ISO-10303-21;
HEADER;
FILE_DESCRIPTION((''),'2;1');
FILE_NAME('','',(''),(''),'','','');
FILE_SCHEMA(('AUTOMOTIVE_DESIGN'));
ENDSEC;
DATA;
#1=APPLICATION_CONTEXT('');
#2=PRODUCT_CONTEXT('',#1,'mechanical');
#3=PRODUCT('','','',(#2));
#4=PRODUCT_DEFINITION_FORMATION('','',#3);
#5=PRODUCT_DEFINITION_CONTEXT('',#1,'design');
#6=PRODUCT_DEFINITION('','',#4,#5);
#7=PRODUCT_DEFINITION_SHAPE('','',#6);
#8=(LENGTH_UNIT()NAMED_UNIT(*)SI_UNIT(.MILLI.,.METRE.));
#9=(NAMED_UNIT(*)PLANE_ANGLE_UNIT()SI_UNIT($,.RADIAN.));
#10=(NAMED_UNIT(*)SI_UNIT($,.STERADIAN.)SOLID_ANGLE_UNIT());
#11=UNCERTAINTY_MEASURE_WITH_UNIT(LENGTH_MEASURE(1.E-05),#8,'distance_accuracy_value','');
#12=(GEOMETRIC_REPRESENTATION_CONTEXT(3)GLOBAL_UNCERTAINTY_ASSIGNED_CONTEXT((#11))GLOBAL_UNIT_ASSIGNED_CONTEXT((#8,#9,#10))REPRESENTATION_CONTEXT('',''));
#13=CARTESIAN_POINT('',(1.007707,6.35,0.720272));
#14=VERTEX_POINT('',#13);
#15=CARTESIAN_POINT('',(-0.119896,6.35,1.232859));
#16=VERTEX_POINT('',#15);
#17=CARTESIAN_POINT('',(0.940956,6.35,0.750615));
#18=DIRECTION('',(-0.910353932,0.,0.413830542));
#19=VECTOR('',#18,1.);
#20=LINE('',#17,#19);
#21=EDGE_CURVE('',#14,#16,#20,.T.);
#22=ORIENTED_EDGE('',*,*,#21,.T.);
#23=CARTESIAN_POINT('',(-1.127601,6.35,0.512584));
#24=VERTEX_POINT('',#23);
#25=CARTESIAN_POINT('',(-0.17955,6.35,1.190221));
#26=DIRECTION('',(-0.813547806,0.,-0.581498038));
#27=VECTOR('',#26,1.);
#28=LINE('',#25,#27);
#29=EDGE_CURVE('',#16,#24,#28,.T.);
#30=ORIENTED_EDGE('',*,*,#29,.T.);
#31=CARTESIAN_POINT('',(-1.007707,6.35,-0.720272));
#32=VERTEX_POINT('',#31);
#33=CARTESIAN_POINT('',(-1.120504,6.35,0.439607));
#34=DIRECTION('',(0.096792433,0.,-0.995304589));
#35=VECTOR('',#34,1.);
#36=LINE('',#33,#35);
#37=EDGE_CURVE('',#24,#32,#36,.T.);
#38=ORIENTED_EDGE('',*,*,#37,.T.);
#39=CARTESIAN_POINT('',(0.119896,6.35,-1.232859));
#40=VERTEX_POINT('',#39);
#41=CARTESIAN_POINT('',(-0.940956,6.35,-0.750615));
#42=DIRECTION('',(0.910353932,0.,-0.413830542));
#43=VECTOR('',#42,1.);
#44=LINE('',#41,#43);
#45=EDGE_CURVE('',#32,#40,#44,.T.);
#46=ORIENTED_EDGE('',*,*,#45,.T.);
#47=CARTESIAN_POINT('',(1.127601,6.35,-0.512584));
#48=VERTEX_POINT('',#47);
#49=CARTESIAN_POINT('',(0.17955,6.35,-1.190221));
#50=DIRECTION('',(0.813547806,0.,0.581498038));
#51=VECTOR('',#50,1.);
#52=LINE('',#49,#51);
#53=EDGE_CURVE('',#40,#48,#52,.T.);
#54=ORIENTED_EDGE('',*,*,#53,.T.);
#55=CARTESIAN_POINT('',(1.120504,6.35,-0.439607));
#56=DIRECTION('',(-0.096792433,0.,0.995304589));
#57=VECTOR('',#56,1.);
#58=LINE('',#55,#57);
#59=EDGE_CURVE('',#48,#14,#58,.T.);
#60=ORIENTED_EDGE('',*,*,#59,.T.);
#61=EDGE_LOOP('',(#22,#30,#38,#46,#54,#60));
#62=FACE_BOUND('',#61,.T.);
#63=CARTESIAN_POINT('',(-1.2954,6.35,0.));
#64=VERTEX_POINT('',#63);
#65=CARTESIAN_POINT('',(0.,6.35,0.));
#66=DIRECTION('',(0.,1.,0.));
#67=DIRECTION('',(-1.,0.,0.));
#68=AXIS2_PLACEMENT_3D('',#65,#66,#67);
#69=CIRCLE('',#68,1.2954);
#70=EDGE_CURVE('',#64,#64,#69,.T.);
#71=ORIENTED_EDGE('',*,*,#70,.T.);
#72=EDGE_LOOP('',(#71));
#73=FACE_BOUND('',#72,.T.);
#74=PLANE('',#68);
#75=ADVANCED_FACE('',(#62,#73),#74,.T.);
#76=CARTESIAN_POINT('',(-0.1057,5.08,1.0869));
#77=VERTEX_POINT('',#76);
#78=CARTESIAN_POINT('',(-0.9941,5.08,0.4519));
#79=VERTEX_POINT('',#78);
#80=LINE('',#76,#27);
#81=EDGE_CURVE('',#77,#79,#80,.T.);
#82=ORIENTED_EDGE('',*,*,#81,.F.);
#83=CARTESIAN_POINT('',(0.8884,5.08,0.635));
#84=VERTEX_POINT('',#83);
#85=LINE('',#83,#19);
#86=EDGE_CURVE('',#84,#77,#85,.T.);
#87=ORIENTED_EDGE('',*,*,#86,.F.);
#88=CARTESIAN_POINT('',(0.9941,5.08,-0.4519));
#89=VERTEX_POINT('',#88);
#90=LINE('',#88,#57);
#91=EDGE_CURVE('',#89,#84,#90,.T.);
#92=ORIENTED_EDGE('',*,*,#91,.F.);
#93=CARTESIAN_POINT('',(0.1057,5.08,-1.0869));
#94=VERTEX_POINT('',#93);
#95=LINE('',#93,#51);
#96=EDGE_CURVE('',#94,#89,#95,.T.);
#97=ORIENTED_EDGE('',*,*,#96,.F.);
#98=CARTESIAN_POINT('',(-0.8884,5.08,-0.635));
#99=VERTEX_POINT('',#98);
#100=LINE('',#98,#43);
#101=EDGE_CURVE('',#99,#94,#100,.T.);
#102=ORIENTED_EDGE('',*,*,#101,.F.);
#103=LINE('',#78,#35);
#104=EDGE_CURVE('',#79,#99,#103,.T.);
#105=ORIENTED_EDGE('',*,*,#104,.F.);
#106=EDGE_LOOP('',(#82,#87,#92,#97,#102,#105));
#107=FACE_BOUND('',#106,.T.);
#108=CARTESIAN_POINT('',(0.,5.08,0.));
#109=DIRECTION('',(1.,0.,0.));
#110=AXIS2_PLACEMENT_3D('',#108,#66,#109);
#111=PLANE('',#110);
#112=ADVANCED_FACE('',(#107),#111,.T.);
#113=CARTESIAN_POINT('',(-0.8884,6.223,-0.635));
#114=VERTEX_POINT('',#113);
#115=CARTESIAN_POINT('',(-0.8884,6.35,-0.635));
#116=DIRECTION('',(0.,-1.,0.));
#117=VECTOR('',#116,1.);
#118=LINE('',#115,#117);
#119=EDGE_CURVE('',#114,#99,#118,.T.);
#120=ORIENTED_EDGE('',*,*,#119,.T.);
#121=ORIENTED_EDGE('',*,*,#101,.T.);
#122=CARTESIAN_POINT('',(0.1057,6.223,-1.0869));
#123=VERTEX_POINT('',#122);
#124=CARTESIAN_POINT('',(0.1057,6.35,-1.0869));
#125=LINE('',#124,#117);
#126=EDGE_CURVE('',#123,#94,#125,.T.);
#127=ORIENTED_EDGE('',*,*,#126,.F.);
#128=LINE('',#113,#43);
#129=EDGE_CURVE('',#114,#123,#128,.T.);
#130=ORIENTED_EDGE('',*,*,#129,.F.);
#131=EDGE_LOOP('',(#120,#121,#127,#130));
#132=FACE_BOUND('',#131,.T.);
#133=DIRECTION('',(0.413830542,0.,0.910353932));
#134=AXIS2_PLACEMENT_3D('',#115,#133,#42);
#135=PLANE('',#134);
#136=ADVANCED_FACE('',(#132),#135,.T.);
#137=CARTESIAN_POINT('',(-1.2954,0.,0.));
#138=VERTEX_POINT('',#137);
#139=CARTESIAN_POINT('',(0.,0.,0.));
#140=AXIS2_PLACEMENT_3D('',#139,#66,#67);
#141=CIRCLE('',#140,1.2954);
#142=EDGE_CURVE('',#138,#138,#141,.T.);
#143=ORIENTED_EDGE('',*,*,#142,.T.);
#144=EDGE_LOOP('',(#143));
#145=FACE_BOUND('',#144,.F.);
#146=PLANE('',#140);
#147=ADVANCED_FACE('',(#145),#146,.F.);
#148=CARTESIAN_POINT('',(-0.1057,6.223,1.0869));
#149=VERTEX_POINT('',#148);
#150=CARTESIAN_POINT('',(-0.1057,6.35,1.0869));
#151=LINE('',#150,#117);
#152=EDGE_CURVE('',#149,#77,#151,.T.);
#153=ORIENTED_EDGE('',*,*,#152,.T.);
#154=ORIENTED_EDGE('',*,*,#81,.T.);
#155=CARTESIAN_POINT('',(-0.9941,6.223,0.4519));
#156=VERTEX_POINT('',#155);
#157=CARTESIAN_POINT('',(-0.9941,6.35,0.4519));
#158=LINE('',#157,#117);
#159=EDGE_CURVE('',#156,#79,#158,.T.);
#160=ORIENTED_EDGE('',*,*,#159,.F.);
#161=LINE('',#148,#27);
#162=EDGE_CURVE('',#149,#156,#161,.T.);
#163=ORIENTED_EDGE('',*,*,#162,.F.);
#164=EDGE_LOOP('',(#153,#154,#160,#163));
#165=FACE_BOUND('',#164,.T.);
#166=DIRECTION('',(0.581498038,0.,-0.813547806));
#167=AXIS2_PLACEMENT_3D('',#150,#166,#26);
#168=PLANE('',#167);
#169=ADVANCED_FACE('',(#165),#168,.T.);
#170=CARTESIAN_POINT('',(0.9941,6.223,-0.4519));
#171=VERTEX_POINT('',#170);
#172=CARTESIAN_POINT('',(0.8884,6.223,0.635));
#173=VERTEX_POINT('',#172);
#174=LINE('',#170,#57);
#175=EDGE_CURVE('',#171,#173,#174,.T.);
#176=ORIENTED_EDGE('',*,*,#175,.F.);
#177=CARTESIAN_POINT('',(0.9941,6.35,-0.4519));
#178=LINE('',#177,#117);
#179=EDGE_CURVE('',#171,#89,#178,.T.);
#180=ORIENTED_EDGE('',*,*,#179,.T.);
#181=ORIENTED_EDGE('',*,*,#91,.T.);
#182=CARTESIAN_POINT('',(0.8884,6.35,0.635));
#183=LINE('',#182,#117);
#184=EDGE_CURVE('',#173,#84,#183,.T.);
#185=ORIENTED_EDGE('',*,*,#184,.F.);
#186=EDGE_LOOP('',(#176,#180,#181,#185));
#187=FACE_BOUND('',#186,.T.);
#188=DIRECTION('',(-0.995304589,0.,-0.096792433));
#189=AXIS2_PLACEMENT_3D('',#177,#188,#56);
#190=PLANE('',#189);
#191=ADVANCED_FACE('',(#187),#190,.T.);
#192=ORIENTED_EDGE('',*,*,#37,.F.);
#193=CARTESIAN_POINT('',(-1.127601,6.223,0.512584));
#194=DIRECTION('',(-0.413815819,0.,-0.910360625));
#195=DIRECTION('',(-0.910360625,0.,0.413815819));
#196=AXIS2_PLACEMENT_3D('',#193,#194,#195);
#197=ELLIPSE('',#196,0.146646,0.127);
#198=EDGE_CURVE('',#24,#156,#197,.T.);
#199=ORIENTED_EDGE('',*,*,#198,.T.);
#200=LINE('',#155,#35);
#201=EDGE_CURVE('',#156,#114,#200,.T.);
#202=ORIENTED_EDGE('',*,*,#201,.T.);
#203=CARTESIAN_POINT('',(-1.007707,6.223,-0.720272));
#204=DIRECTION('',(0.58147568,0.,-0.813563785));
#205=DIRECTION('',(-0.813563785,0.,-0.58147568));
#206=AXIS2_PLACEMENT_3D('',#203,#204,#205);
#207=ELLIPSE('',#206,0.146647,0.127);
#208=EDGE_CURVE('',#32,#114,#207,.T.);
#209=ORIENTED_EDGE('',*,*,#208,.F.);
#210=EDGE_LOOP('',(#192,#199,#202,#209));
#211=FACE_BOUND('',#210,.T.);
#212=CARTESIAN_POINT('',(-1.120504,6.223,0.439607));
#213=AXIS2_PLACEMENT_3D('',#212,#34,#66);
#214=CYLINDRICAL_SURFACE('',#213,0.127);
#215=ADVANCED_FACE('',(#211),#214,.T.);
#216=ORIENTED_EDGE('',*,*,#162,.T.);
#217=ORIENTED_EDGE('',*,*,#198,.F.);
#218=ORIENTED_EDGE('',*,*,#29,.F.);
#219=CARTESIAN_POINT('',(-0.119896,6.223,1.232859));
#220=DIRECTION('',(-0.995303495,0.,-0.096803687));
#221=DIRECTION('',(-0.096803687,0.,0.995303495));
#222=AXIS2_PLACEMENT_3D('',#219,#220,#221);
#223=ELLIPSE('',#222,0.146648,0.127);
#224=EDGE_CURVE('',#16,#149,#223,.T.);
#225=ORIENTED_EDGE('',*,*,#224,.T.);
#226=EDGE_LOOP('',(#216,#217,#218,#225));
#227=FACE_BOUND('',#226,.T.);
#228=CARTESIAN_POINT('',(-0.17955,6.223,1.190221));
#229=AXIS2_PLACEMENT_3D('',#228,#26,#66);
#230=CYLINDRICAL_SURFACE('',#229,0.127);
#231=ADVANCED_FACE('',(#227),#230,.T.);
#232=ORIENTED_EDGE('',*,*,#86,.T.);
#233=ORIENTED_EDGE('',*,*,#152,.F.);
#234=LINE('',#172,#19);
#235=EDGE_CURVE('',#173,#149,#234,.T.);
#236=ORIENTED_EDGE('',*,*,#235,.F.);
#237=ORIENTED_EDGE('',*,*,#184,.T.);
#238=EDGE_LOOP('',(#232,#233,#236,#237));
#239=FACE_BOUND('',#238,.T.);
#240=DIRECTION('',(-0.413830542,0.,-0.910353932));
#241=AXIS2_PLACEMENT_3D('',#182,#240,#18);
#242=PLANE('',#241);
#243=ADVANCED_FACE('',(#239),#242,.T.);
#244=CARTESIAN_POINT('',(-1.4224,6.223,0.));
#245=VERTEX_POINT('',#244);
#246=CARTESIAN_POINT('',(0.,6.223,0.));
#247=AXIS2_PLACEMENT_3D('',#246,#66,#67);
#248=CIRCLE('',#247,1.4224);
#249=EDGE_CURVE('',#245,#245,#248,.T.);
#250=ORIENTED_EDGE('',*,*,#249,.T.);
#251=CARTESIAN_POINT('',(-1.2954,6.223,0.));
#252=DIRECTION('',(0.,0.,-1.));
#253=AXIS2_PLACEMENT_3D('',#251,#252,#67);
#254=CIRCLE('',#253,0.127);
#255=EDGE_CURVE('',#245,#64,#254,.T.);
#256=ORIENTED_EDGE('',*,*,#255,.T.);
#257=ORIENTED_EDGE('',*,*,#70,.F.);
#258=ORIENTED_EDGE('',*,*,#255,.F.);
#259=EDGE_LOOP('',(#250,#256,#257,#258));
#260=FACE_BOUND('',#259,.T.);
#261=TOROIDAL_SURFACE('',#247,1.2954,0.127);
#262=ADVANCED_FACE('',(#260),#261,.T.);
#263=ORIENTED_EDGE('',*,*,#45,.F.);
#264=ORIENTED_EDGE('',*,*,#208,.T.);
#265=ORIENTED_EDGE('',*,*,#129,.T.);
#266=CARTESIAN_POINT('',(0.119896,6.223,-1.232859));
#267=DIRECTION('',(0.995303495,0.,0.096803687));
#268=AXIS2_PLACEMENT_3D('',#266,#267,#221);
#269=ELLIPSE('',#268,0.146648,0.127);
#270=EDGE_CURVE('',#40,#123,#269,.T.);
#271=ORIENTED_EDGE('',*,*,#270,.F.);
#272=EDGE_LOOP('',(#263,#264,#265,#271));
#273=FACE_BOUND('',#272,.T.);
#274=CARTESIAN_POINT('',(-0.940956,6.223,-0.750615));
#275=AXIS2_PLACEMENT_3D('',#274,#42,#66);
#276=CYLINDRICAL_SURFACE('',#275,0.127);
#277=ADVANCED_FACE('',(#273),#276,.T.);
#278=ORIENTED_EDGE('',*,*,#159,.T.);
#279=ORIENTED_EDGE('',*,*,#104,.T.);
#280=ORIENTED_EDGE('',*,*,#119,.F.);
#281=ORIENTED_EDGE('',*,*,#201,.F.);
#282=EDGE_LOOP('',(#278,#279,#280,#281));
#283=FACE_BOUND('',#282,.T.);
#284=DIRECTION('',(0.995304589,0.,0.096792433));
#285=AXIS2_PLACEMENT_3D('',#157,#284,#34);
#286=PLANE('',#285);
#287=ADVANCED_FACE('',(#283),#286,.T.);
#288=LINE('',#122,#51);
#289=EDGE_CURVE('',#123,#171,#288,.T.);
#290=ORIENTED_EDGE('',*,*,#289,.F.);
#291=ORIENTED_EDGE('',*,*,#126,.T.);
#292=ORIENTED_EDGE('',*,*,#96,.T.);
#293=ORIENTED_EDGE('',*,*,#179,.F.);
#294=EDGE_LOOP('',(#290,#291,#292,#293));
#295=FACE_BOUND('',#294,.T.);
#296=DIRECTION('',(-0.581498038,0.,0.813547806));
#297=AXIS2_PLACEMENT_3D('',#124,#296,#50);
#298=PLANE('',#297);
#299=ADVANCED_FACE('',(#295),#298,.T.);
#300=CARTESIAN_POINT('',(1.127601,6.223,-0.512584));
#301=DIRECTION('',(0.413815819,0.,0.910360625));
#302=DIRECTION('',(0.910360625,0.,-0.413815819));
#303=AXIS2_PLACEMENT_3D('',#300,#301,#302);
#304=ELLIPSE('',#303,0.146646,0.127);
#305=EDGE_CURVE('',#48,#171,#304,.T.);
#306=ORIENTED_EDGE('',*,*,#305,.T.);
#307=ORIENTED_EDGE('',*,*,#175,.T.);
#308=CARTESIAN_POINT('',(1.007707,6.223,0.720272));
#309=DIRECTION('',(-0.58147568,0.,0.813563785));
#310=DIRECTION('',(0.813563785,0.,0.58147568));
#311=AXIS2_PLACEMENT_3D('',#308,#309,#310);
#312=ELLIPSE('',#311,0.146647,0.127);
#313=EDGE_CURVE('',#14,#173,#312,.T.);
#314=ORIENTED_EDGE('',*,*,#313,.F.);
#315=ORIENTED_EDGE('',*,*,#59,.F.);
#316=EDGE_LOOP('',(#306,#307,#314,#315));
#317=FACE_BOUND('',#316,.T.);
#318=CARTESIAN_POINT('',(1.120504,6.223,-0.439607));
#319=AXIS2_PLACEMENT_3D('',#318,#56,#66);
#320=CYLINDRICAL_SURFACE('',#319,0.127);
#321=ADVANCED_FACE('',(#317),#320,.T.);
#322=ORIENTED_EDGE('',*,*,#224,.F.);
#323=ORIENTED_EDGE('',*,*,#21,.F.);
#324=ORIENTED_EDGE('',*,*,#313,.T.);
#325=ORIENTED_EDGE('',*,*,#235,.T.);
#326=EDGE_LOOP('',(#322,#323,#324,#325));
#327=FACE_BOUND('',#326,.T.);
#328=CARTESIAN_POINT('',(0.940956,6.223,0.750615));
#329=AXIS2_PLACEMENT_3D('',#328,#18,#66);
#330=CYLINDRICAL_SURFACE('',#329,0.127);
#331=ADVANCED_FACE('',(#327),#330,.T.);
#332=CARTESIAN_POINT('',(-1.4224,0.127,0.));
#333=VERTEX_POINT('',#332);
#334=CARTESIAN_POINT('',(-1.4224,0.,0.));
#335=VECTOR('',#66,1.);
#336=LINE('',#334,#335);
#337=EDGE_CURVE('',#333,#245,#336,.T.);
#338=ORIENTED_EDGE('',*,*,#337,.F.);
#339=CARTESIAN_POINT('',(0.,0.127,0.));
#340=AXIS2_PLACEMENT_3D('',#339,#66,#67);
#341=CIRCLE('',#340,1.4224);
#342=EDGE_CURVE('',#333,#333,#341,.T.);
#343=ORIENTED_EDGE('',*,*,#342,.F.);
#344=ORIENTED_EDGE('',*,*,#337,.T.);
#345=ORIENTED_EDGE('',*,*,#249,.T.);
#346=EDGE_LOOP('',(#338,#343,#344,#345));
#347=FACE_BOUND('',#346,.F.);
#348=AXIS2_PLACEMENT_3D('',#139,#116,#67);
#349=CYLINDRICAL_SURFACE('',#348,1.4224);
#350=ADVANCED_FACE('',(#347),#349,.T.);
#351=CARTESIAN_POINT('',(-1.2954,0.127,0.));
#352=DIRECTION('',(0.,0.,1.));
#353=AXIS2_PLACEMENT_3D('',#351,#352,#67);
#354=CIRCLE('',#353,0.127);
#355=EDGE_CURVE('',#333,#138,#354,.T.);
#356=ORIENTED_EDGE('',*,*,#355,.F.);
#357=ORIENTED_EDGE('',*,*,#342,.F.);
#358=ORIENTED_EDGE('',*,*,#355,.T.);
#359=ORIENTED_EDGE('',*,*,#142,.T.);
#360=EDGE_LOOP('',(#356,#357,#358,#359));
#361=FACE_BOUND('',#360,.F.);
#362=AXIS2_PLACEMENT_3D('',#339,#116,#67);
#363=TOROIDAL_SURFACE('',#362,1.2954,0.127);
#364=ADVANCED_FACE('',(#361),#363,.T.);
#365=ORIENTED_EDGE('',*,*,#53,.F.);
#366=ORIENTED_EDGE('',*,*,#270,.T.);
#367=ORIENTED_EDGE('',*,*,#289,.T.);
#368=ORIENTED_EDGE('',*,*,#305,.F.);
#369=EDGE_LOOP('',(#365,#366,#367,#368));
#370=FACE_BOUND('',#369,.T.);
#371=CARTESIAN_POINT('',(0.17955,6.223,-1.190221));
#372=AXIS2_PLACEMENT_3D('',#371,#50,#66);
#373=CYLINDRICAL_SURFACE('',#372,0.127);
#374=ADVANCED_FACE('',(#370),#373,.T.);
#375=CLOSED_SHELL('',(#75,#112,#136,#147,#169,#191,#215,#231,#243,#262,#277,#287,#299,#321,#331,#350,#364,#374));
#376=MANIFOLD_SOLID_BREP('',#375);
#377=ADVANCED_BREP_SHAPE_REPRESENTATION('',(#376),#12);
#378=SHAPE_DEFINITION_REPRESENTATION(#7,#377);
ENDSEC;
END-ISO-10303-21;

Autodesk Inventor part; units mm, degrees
ref_plane "YZ Plane" through (0, 0, 0) normal (1, 0, 0) x (0, 1, 0)
ref_plane "XZ Plane" through (0, 0, 0) normal (0, 1, 0) x (-1, 0, 0)
ref_plane "XY Plane" through (0, 0, 0) normal (0, 0, 1) x (1, 0, 0)
sketch "Sketch4" plane through (0, 0, 0) normal (0, 1, 0) x (-1, 0, 0)
  circle A0 centre (0, 0) radius 1.4224
  dimension "d14" = 2.8448
extrude "Extrusion4" add sketch "Sketch4" along normal blind 6.35
thread "Thread2" size "4-40 UNC" class "2A" standard "ANSI Unified Screw Threads" full length
fillet "Fillet1" radius 0.127 1 edges at (1.4224, 0, 0)
sketch "Sketch5" plane through (0, 6.35, 0) normal (0, 1, 0) x (1, 0, 0)
  line L0 (-0.8884, 0.635) -> (0.1057, 1.0869)
  line L1 (0.1057, 1.0869) -> (0.9941, 0.4519)
  line L2 (0.9941, 0.4519) -> (0.8884, -0.635)
  line L3 (0.8884, -0.635) -> (-0.1057, -1.0869)
  line L4 (-0.1057, -1.0869) -> (-0.9941, -0.4519)
  line L5 (-0.9941, -0.4519) -> (-0.8884, 0.635)
  point P0 (0, 0)
  point P1 (0, 0)
  dimension "d20" = 1.27
extrude "Extrusion5" cut sketch "Sketch5" against normal blind 1.27
fillet "Fillet2" radius 0.127 1 edges at (1.4224, 6.35, 0)
fillet "Fillet3" radius 0.127 6 edges at (0.5499, 6.35, -0.7694) (0.9412, 6.35, 0.0916) (0.3913, 6.35, 0.8609) (-0.5499, 6.35, 0.7694) (-0.9412, 6.35, -0.0916) (-0.3913, 6.35, -0.8609)
properties part number "4_40_hex_cap_screw"
